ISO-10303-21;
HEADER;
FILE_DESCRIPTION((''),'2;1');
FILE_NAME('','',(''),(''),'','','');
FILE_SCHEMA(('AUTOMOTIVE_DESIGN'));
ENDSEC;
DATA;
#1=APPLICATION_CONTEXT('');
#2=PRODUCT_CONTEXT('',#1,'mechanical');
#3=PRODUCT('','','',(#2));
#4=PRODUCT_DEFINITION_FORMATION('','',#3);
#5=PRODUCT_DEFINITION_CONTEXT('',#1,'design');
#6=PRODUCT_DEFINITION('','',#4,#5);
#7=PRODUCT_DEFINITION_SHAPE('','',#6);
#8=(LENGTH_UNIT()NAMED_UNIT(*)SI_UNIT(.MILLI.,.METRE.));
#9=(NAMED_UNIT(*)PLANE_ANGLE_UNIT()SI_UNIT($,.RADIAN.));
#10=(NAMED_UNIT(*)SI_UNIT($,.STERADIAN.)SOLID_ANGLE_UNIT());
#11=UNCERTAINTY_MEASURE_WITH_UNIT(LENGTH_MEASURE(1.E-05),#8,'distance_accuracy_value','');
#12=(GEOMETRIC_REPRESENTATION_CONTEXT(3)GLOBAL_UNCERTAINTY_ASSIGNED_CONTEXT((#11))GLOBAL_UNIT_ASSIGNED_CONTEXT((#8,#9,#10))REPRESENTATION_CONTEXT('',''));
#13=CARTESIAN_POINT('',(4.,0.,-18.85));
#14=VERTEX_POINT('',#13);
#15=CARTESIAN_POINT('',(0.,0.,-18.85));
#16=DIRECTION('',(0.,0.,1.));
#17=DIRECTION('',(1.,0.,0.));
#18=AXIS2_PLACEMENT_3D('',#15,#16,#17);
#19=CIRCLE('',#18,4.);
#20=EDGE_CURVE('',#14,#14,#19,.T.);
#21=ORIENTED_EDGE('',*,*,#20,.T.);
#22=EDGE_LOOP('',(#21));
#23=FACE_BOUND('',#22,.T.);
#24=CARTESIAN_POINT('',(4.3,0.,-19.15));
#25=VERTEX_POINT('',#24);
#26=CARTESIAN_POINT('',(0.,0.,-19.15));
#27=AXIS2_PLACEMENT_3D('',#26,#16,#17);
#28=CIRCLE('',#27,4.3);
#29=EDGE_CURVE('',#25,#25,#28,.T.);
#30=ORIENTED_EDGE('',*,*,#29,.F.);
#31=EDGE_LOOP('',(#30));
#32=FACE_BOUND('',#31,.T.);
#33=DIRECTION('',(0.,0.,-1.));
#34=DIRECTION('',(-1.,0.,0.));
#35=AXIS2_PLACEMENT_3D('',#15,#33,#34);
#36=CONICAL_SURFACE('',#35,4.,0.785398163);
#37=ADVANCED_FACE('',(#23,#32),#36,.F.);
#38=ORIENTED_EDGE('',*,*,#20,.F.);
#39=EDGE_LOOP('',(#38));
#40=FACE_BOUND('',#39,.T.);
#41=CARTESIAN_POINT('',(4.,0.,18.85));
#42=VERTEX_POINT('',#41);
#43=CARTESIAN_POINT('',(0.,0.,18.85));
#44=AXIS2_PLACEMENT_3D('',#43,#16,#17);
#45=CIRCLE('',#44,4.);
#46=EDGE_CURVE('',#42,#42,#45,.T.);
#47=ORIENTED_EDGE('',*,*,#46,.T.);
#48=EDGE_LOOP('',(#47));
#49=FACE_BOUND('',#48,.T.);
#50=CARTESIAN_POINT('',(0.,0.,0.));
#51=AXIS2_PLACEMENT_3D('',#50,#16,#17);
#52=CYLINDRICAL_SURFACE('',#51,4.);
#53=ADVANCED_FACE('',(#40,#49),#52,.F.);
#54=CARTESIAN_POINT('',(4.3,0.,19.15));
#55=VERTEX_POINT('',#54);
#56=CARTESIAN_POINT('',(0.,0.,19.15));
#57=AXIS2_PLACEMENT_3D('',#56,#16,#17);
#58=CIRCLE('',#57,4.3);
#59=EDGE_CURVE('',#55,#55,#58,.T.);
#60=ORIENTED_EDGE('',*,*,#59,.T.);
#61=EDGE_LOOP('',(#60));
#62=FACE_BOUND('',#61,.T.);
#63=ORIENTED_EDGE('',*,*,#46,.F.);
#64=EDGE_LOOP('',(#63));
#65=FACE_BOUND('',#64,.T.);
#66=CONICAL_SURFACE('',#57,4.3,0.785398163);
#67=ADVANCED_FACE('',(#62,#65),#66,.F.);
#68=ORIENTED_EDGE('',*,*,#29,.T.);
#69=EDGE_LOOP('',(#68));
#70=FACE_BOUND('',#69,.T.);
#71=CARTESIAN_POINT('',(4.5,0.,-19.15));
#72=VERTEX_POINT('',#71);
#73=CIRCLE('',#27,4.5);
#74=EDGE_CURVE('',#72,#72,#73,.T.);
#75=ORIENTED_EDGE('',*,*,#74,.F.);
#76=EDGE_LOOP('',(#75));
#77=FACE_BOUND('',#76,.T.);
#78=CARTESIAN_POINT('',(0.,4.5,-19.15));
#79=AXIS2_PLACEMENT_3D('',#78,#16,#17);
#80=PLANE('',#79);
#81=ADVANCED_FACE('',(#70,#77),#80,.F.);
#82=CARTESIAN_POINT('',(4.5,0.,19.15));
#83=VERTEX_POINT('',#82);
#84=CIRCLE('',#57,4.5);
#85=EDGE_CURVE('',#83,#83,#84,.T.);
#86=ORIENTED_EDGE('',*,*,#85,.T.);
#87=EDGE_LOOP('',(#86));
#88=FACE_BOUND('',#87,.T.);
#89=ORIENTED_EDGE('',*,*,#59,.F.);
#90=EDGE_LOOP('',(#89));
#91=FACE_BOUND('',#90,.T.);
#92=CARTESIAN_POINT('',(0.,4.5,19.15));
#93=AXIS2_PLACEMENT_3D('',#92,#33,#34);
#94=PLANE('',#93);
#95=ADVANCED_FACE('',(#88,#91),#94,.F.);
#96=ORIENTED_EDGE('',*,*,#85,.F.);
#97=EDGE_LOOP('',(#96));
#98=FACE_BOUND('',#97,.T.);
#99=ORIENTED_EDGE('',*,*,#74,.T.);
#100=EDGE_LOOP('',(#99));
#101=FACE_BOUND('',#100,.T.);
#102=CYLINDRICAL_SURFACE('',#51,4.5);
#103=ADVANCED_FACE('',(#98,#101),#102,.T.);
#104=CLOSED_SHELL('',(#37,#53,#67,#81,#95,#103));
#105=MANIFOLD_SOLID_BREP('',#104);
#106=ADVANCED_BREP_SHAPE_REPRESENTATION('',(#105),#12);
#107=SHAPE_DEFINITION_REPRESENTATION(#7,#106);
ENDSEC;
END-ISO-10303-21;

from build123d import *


with BuildPart() as part:
    # Sketch1 → Revolve1 (revolve)
    with BuildSketch(Plane(origin=(0, 0, 0), x_dir=(0, 0, -1), z_dir=(1, 0, 0))):
        Polygon((-19.15, 4.5), (19.15, 4.5), (19.15, 4.3), (18.85, 4), (-18.85, 4), (-19.15, 4.3), align=None)
    revolve(axis=Axis((0, 0, 0), (0, 0, -1)))


solid = part.part
